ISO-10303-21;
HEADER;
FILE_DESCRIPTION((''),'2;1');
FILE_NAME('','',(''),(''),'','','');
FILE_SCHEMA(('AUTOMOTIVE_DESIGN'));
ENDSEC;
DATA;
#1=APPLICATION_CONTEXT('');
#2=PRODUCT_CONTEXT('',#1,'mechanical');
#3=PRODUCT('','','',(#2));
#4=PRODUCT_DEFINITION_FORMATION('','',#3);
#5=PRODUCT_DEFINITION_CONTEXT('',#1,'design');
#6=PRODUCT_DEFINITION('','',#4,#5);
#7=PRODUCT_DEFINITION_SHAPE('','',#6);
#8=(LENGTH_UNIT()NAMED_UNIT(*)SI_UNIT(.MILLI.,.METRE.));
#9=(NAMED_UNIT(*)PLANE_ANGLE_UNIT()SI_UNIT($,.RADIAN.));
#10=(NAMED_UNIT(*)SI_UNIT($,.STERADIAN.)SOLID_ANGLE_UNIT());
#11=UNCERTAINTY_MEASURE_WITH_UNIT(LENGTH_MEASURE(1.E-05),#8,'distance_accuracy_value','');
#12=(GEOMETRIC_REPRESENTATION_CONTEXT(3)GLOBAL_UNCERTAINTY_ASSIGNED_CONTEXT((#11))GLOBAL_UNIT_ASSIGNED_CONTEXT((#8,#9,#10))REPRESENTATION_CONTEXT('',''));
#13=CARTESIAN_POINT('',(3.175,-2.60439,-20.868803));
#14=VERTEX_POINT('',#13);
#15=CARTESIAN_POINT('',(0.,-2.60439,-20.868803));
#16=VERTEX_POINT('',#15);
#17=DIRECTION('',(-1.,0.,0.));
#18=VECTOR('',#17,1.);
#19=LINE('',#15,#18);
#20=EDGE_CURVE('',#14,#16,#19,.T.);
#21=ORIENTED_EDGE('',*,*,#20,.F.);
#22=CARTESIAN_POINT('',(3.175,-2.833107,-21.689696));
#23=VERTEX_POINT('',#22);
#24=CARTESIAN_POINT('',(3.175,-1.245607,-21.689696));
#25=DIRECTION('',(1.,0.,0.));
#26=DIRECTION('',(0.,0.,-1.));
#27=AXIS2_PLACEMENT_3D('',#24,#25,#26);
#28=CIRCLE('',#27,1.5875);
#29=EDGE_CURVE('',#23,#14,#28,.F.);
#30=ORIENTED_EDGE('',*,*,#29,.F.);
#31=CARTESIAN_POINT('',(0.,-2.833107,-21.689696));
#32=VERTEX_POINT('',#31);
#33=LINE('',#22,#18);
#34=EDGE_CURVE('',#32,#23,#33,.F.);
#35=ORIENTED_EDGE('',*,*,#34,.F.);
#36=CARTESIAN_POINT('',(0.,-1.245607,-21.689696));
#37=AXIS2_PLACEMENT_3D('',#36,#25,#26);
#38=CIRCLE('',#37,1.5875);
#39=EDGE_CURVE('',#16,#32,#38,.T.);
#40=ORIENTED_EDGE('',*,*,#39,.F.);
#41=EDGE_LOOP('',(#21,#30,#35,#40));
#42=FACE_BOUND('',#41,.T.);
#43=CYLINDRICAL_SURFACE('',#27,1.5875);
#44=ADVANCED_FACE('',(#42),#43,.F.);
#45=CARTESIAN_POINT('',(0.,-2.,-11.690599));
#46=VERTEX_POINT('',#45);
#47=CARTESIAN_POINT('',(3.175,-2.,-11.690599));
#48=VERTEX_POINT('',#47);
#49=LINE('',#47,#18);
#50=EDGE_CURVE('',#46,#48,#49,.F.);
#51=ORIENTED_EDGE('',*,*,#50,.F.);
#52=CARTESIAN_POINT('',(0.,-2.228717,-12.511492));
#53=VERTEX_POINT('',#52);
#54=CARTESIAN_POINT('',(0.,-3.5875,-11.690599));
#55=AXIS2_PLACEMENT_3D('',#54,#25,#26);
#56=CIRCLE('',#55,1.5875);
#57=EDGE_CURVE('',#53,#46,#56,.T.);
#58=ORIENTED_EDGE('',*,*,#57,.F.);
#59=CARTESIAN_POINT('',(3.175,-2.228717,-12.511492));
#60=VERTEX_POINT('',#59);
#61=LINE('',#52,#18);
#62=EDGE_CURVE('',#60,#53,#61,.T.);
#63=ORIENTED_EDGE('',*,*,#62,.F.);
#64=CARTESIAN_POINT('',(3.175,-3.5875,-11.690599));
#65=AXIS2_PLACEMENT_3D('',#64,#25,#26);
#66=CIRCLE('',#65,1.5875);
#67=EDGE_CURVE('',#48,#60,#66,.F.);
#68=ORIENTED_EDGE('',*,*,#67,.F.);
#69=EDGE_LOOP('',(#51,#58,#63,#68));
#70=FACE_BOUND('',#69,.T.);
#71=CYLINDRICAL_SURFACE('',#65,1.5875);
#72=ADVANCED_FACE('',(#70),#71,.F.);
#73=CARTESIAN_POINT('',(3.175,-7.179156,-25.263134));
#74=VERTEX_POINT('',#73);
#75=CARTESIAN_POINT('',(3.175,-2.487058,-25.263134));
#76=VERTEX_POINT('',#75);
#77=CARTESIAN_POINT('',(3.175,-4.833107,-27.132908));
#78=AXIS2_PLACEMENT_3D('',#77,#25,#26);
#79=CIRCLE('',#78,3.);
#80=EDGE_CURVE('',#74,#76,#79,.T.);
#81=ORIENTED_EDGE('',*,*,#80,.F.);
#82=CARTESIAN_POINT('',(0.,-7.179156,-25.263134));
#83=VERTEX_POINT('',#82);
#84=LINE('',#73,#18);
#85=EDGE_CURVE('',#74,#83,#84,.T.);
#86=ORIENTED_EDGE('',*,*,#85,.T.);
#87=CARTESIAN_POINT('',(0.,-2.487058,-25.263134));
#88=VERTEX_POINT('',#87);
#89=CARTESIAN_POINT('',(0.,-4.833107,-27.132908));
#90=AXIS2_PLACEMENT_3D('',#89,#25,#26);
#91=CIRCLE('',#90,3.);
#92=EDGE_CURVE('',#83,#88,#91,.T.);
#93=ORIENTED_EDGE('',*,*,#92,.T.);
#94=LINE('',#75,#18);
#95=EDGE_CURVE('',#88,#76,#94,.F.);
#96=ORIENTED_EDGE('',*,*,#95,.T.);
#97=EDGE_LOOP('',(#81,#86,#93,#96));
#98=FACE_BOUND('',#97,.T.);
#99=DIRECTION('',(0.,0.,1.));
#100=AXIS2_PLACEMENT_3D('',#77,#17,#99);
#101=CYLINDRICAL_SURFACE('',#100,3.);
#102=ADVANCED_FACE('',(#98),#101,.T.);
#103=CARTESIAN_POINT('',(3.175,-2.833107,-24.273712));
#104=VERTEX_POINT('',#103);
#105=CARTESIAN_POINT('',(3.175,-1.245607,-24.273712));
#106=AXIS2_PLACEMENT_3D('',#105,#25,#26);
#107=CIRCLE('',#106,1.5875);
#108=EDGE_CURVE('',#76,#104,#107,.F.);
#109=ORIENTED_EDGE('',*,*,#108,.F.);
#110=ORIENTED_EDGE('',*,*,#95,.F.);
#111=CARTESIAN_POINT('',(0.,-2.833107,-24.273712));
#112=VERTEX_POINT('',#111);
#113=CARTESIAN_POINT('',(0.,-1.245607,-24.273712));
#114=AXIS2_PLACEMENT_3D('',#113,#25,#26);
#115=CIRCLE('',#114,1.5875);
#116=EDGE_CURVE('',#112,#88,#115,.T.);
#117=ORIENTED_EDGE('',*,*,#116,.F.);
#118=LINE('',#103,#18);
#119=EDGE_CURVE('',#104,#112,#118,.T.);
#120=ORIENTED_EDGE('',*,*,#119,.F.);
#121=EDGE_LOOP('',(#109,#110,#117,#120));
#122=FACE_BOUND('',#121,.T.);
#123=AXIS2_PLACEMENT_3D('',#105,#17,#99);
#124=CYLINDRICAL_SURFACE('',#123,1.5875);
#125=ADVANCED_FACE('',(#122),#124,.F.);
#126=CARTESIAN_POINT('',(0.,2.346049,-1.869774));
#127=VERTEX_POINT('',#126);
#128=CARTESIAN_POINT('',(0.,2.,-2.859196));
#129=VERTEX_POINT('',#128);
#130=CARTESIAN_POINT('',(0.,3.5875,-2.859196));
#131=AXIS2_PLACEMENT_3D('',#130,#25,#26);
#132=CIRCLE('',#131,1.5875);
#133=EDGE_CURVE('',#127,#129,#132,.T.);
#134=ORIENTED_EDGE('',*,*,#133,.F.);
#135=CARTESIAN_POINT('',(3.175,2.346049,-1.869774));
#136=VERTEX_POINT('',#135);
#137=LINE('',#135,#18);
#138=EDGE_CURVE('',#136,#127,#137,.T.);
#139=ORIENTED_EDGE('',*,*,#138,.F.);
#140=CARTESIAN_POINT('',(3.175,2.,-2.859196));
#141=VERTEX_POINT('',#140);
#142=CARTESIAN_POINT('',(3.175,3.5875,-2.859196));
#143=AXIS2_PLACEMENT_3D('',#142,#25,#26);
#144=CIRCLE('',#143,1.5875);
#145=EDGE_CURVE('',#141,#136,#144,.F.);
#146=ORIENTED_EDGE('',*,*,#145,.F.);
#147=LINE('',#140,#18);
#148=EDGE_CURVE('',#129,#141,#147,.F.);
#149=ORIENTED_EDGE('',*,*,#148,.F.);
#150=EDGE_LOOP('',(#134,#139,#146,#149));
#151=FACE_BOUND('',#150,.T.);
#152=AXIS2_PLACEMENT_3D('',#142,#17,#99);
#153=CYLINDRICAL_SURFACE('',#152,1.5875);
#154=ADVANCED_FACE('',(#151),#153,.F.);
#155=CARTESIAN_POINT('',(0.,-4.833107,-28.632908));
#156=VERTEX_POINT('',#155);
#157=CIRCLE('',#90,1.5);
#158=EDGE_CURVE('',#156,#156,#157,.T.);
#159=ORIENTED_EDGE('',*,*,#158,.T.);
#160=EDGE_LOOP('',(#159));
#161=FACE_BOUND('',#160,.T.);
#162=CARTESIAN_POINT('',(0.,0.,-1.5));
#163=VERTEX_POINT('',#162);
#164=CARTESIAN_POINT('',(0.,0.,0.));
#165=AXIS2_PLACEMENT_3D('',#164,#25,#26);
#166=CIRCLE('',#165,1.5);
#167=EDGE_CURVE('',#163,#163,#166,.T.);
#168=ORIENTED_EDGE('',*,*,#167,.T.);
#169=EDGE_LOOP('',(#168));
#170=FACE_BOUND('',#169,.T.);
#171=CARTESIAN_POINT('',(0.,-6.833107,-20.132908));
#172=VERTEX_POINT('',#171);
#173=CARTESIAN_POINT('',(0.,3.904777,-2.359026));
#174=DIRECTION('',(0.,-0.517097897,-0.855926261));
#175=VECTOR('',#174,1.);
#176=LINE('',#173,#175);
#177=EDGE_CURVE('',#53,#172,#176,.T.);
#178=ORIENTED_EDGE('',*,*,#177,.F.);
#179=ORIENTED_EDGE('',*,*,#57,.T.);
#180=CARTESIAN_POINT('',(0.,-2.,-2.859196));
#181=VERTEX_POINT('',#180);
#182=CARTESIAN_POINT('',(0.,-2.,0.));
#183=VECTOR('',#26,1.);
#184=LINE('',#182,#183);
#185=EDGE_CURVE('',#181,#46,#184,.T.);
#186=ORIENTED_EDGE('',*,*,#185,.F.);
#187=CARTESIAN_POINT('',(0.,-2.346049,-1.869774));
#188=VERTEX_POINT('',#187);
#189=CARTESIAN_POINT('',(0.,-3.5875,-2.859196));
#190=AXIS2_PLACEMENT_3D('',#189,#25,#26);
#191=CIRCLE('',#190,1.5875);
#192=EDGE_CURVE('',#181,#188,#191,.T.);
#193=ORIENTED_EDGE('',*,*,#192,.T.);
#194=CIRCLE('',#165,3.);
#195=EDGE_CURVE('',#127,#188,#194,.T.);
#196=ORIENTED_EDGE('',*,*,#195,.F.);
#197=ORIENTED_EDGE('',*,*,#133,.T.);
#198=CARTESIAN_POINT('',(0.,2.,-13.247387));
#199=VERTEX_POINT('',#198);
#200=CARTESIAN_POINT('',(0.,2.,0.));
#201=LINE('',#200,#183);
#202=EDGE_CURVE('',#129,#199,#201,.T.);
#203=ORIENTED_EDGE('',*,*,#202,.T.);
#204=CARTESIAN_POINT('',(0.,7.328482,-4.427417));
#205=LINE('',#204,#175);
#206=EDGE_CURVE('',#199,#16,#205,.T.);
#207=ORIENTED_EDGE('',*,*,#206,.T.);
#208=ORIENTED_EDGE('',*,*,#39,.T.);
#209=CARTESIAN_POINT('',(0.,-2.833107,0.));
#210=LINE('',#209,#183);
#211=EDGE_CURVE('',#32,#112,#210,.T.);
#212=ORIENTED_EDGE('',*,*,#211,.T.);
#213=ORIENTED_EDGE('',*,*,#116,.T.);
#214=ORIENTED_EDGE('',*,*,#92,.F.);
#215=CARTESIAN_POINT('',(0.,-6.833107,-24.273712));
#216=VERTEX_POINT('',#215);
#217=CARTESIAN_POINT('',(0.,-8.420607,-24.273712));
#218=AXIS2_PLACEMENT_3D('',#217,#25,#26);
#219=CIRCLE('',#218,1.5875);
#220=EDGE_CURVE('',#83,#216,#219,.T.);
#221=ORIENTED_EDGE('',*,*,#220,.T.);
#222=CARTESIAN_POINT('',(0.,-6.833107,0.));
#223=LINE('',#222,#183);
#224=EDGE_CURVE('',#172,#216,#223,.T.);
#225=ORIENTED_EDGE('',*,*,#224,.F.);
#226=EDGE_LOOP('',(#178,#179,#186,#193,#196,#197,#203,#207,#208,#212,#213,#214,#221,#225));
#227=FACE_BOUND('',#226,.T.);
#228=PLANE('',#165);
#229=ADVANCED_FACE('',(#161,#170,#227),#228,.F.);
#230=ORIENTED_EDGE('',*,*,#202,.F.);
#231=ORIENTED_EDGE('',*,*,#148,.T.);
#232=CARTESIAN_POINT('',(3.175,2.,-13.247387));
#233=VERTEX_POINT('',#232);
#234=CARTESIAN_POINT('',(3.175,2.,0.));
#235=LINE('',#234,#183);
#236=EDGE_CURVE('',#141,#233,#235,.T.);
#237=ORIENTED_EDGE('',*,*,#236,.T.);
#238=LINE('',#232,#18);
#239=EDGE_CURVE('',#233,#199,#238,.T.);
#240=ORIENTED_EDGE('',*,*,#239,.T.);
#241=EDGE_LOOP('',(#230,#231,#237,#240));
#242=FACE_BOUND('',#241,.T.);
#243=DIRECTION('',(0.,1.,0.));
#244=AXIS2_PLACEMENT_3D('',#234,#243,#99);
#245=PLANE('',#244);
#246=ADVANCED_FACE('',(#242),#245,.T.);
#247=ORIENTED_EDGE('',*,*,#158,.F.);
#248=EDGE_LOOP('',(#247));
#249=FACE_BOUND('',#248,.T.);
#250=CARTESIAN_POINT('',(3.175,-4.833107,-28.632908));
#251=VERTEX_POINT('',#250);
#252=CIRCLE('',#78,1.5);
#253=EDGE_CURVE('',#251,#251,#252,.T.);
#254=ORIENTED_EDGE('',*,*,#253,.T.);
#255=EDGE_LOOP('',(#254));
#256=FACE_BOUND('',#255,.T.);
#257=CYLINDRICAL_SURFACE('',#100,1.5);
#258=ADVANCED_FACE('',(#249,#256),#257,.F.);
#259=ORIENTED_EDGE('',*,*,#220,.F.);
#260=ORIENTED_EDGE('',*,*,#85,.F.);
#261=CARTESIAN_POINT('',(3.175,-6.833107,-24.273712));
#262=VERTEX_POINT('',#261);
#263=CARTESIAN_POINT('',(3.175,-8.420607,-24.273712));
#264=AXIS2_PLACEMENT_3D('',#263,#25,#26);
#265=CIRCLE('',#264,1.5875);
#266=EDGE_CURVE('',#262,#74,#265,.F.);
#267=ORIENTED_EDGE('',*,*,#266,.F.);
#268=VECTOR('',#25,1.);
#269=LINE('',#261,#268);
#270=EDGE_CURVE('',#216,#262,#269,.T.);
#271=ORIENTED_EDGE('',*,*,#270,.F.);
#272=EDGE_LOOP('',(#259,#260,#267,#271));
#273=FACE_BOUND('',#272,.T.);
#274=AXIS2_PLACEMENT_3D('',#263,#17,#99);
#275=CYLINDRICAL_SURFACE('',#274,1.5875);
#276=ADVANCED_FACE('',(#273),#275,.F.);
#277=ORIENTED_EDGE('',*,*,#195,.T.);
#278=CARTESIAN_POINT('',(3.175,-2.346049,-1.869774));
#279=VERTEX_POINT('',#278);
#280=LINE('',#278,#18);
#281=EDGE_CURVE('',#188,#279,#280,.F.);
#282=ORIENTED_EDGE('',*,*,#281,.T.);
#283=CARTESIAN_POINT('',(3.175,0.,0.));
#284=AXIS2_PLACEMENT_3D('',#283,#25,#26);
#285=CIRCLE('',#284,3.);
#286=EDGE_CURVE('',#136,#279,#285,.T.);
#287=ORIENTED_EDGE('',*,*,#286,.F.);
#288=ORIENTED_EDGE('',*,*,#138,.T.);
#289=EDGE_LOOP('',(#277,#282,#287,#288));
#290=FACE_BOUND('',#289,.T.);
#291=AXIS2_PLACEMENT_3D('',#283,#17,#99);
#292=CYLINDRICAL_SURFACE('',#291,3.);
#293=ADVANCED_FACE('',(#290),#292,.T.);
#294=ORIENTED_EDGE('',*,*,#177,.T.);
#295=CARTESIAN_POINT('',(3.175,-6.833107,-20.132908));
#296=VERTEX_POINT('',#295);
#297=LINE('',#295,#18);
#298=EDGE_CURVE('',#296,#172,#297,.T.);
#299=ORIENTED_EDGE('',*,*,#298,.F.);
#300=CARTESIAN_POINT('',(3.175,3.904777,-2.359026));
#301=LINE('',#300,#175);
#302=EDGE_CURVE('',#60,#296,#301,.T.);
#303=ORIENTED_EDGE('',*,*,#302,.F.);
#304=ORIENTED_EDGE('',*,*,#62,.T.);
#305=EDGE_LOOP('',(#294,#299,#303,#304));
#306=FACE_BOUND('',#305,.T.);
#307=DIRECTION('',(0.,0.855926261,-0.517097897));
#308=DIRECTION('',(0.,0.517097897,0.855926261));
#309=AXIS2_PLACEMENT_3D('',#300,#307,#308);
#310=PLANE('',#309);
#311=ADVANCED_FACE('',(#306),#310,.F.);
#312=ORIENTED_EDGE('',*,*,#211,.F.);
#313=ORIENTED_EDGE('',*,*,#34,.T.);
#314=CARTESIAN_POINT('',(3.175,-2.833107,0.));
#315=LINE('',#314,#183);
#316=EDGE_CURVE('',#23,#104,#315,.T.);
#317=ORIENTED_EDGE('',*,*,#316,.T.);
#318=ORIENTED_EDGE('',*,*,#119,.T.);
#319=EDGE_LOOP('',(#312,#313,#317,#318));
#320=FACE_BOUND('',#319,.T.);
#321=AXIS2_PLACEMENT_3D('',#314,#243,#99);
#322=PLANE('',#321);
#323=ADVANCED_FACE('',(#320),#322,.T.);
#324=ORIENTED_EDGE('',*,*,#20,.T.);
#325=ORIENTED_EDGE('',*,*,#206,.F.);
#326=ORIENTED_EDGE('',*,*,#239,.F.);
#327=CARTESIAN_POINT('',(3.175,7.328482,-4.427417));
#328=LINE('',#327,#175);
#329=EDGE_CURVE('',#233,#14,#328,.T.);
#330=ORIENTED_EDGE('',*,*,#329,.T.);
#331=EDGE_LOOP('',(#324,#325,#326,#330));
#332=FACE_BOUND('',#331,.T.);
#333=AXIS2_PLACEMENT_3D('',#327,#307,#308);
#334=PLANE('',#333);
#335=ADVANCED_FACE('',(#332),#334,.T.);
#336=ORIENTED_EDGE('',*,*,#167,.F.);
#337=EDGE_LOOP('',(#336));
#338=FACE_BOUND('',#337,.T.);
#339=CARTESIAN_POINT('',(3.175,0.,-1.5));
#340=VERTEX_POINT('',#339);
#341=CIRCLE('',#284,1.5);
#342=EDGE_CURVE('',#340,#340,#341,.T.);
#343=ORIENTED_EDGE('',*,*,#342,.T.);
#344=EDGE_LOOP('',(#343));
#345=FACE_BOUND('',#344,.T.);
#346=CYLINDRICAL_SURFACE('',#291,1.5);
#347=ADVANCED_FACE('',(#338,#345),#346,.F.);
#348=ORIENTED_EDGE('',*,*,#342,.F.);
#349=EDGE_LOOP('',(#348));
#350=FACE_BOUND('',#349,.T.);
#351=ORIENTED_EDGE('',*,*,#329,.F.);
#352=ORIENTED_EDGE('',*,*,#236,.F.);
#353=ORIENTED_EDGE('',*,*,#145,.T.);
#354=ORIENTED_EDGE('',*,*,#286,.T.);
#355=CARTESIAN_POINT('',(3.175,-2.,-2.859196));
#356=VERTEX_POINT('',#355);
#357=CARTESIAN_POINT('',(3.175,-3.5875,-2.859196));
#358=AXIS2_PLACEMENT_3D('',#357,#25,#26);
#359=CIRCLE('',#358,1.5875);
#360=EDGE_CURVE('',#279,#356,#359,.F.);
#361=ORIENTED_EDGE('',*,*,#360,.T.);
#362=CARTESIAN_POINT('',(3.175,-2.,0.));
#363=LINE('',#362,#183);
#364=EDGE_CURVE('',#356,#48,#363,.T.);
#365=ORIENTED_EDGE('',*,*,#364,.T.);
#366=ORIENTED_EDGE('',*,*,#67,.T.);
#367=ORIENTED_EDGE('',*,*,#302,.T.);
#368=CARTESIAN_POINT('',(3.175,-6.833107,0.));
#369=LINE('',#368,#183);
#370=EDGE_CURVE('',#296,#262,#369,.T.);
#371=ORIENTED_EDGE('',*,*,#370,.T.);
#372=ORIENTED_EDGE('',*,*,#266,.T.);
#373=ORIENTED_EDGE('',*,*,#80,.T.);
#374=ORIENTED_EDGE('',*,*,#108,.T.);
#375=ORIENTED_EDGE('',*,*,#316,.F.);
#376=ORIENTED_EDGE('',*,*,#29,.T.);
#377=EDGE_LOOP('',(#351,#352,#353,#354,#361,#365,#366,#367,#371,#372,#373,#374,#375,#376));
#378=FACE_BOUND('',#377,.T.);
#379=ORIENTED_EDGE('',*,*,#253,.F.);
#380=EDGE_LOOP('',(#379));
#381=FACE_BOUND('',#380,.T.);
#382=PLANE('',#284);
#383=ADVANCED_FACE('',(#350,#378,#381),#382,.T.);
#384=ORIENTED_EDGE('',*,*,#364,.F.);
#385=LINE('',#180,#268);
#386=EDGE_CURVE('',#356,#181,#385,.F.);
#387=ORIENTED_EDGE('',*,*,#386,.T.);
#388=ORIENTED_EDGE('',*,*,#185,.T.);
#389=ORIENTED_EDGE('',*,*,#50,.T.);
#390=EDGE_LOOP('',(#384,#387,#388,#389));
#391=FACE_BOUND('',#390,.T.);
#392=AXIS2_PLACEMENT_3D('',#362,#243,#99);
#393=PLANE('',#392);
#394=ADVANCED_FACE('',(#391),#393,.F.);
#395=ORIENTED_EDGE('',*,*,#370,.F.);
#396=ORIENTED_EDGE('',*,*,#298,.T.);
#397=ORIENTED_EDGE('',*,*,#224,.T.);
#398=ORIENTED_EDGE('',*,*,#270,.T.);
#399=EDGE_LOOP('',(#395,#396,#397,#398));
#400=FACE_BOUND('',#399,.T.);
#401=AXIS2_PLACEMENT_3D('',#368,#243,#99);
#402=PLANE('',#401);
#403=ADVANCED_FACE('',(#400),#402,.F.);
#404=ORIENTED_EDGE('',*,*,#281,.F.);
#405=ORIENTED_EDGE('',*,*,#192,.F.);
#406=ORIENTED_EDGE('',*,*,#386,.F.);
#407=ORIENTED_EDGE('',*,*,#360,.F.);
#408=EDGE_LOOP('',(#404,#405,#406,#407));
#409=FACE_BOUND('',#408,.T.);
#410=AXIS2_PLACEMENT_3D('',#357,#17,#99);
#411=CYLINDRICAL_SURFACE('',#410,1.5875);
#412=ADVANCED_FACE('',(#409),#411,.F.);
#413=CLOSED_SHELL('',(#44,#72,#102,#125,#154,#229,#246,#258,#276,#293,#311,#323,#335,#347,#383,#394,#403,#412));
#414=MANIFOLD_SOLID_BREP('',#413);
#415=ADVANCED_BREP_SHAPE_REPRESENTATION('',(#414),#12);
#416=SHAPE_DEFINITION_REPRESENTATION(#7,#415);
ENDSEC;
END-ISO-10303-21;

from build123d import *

# Parameters (mm, degrees)
SKETCH2_R           = 1.5
BOSS_EXTRUDE1_DEPTH = 3.175
FILLET1_R           = 1.5875


with BuildPart() as part:
    # Sketch2 → Boss-Extrude1 (new body)
    with BuildSketch(Plane(origin=(0, 0, 0), x_dir=(0, 0, -1), z_dir=(1, 0, 0))):
        with BuildLine():
            Line((13.247387042, 2), (2.236067977, 2))
            ThreePointArc((2.236067977, 2), (-3, 0), (2.236067977, -2))
            Line((2.236067977, -2), (12.13290764, -2))
            Line((12.13290764, -2), (20.13290764, -6.833106971))
            Line((20.13290764, -6.833106971), (24.896839663, -6.833106971))
            ThreePointArc((24.896839663, -6.833106971), (30.13290764, -4.833106971), (24.896839663, -2.833106971))
            Line((24.896839663, -2.833106971), (21.247387042, -2.833106971))
            Line((21.247387042, -2.833106971), (13.247387042, 2))
        make_face()
        Circle(SKETCH2_R, mode=Mode.SUBTRACT)
        with Locations((27.13290764, -4.833106971)):
            Circle(SKETCH2_R, mode=Mode.SUBTRACT)
    extrude(amount=BOSS_EXTRUDE1_DEPTH)

    # Fillet1
    fillet1_edges = [part.edges().sort_by_distance(p)[0] for p in [
        (1.5875, -6.833106971, -24.896839663),
        (1.5875, -2, -12.13290764),
        (1.5875, -2, -2.236067977),
        (1.5875, 2, -2.236067977),
        (1.5875, -2.833106971, -21.247387042),
        (1.5875, -2.833106971, -24.896839663),
    ]]
    fillet(fillet1_edges, radius=FILLET1_R)


solid = part.part
